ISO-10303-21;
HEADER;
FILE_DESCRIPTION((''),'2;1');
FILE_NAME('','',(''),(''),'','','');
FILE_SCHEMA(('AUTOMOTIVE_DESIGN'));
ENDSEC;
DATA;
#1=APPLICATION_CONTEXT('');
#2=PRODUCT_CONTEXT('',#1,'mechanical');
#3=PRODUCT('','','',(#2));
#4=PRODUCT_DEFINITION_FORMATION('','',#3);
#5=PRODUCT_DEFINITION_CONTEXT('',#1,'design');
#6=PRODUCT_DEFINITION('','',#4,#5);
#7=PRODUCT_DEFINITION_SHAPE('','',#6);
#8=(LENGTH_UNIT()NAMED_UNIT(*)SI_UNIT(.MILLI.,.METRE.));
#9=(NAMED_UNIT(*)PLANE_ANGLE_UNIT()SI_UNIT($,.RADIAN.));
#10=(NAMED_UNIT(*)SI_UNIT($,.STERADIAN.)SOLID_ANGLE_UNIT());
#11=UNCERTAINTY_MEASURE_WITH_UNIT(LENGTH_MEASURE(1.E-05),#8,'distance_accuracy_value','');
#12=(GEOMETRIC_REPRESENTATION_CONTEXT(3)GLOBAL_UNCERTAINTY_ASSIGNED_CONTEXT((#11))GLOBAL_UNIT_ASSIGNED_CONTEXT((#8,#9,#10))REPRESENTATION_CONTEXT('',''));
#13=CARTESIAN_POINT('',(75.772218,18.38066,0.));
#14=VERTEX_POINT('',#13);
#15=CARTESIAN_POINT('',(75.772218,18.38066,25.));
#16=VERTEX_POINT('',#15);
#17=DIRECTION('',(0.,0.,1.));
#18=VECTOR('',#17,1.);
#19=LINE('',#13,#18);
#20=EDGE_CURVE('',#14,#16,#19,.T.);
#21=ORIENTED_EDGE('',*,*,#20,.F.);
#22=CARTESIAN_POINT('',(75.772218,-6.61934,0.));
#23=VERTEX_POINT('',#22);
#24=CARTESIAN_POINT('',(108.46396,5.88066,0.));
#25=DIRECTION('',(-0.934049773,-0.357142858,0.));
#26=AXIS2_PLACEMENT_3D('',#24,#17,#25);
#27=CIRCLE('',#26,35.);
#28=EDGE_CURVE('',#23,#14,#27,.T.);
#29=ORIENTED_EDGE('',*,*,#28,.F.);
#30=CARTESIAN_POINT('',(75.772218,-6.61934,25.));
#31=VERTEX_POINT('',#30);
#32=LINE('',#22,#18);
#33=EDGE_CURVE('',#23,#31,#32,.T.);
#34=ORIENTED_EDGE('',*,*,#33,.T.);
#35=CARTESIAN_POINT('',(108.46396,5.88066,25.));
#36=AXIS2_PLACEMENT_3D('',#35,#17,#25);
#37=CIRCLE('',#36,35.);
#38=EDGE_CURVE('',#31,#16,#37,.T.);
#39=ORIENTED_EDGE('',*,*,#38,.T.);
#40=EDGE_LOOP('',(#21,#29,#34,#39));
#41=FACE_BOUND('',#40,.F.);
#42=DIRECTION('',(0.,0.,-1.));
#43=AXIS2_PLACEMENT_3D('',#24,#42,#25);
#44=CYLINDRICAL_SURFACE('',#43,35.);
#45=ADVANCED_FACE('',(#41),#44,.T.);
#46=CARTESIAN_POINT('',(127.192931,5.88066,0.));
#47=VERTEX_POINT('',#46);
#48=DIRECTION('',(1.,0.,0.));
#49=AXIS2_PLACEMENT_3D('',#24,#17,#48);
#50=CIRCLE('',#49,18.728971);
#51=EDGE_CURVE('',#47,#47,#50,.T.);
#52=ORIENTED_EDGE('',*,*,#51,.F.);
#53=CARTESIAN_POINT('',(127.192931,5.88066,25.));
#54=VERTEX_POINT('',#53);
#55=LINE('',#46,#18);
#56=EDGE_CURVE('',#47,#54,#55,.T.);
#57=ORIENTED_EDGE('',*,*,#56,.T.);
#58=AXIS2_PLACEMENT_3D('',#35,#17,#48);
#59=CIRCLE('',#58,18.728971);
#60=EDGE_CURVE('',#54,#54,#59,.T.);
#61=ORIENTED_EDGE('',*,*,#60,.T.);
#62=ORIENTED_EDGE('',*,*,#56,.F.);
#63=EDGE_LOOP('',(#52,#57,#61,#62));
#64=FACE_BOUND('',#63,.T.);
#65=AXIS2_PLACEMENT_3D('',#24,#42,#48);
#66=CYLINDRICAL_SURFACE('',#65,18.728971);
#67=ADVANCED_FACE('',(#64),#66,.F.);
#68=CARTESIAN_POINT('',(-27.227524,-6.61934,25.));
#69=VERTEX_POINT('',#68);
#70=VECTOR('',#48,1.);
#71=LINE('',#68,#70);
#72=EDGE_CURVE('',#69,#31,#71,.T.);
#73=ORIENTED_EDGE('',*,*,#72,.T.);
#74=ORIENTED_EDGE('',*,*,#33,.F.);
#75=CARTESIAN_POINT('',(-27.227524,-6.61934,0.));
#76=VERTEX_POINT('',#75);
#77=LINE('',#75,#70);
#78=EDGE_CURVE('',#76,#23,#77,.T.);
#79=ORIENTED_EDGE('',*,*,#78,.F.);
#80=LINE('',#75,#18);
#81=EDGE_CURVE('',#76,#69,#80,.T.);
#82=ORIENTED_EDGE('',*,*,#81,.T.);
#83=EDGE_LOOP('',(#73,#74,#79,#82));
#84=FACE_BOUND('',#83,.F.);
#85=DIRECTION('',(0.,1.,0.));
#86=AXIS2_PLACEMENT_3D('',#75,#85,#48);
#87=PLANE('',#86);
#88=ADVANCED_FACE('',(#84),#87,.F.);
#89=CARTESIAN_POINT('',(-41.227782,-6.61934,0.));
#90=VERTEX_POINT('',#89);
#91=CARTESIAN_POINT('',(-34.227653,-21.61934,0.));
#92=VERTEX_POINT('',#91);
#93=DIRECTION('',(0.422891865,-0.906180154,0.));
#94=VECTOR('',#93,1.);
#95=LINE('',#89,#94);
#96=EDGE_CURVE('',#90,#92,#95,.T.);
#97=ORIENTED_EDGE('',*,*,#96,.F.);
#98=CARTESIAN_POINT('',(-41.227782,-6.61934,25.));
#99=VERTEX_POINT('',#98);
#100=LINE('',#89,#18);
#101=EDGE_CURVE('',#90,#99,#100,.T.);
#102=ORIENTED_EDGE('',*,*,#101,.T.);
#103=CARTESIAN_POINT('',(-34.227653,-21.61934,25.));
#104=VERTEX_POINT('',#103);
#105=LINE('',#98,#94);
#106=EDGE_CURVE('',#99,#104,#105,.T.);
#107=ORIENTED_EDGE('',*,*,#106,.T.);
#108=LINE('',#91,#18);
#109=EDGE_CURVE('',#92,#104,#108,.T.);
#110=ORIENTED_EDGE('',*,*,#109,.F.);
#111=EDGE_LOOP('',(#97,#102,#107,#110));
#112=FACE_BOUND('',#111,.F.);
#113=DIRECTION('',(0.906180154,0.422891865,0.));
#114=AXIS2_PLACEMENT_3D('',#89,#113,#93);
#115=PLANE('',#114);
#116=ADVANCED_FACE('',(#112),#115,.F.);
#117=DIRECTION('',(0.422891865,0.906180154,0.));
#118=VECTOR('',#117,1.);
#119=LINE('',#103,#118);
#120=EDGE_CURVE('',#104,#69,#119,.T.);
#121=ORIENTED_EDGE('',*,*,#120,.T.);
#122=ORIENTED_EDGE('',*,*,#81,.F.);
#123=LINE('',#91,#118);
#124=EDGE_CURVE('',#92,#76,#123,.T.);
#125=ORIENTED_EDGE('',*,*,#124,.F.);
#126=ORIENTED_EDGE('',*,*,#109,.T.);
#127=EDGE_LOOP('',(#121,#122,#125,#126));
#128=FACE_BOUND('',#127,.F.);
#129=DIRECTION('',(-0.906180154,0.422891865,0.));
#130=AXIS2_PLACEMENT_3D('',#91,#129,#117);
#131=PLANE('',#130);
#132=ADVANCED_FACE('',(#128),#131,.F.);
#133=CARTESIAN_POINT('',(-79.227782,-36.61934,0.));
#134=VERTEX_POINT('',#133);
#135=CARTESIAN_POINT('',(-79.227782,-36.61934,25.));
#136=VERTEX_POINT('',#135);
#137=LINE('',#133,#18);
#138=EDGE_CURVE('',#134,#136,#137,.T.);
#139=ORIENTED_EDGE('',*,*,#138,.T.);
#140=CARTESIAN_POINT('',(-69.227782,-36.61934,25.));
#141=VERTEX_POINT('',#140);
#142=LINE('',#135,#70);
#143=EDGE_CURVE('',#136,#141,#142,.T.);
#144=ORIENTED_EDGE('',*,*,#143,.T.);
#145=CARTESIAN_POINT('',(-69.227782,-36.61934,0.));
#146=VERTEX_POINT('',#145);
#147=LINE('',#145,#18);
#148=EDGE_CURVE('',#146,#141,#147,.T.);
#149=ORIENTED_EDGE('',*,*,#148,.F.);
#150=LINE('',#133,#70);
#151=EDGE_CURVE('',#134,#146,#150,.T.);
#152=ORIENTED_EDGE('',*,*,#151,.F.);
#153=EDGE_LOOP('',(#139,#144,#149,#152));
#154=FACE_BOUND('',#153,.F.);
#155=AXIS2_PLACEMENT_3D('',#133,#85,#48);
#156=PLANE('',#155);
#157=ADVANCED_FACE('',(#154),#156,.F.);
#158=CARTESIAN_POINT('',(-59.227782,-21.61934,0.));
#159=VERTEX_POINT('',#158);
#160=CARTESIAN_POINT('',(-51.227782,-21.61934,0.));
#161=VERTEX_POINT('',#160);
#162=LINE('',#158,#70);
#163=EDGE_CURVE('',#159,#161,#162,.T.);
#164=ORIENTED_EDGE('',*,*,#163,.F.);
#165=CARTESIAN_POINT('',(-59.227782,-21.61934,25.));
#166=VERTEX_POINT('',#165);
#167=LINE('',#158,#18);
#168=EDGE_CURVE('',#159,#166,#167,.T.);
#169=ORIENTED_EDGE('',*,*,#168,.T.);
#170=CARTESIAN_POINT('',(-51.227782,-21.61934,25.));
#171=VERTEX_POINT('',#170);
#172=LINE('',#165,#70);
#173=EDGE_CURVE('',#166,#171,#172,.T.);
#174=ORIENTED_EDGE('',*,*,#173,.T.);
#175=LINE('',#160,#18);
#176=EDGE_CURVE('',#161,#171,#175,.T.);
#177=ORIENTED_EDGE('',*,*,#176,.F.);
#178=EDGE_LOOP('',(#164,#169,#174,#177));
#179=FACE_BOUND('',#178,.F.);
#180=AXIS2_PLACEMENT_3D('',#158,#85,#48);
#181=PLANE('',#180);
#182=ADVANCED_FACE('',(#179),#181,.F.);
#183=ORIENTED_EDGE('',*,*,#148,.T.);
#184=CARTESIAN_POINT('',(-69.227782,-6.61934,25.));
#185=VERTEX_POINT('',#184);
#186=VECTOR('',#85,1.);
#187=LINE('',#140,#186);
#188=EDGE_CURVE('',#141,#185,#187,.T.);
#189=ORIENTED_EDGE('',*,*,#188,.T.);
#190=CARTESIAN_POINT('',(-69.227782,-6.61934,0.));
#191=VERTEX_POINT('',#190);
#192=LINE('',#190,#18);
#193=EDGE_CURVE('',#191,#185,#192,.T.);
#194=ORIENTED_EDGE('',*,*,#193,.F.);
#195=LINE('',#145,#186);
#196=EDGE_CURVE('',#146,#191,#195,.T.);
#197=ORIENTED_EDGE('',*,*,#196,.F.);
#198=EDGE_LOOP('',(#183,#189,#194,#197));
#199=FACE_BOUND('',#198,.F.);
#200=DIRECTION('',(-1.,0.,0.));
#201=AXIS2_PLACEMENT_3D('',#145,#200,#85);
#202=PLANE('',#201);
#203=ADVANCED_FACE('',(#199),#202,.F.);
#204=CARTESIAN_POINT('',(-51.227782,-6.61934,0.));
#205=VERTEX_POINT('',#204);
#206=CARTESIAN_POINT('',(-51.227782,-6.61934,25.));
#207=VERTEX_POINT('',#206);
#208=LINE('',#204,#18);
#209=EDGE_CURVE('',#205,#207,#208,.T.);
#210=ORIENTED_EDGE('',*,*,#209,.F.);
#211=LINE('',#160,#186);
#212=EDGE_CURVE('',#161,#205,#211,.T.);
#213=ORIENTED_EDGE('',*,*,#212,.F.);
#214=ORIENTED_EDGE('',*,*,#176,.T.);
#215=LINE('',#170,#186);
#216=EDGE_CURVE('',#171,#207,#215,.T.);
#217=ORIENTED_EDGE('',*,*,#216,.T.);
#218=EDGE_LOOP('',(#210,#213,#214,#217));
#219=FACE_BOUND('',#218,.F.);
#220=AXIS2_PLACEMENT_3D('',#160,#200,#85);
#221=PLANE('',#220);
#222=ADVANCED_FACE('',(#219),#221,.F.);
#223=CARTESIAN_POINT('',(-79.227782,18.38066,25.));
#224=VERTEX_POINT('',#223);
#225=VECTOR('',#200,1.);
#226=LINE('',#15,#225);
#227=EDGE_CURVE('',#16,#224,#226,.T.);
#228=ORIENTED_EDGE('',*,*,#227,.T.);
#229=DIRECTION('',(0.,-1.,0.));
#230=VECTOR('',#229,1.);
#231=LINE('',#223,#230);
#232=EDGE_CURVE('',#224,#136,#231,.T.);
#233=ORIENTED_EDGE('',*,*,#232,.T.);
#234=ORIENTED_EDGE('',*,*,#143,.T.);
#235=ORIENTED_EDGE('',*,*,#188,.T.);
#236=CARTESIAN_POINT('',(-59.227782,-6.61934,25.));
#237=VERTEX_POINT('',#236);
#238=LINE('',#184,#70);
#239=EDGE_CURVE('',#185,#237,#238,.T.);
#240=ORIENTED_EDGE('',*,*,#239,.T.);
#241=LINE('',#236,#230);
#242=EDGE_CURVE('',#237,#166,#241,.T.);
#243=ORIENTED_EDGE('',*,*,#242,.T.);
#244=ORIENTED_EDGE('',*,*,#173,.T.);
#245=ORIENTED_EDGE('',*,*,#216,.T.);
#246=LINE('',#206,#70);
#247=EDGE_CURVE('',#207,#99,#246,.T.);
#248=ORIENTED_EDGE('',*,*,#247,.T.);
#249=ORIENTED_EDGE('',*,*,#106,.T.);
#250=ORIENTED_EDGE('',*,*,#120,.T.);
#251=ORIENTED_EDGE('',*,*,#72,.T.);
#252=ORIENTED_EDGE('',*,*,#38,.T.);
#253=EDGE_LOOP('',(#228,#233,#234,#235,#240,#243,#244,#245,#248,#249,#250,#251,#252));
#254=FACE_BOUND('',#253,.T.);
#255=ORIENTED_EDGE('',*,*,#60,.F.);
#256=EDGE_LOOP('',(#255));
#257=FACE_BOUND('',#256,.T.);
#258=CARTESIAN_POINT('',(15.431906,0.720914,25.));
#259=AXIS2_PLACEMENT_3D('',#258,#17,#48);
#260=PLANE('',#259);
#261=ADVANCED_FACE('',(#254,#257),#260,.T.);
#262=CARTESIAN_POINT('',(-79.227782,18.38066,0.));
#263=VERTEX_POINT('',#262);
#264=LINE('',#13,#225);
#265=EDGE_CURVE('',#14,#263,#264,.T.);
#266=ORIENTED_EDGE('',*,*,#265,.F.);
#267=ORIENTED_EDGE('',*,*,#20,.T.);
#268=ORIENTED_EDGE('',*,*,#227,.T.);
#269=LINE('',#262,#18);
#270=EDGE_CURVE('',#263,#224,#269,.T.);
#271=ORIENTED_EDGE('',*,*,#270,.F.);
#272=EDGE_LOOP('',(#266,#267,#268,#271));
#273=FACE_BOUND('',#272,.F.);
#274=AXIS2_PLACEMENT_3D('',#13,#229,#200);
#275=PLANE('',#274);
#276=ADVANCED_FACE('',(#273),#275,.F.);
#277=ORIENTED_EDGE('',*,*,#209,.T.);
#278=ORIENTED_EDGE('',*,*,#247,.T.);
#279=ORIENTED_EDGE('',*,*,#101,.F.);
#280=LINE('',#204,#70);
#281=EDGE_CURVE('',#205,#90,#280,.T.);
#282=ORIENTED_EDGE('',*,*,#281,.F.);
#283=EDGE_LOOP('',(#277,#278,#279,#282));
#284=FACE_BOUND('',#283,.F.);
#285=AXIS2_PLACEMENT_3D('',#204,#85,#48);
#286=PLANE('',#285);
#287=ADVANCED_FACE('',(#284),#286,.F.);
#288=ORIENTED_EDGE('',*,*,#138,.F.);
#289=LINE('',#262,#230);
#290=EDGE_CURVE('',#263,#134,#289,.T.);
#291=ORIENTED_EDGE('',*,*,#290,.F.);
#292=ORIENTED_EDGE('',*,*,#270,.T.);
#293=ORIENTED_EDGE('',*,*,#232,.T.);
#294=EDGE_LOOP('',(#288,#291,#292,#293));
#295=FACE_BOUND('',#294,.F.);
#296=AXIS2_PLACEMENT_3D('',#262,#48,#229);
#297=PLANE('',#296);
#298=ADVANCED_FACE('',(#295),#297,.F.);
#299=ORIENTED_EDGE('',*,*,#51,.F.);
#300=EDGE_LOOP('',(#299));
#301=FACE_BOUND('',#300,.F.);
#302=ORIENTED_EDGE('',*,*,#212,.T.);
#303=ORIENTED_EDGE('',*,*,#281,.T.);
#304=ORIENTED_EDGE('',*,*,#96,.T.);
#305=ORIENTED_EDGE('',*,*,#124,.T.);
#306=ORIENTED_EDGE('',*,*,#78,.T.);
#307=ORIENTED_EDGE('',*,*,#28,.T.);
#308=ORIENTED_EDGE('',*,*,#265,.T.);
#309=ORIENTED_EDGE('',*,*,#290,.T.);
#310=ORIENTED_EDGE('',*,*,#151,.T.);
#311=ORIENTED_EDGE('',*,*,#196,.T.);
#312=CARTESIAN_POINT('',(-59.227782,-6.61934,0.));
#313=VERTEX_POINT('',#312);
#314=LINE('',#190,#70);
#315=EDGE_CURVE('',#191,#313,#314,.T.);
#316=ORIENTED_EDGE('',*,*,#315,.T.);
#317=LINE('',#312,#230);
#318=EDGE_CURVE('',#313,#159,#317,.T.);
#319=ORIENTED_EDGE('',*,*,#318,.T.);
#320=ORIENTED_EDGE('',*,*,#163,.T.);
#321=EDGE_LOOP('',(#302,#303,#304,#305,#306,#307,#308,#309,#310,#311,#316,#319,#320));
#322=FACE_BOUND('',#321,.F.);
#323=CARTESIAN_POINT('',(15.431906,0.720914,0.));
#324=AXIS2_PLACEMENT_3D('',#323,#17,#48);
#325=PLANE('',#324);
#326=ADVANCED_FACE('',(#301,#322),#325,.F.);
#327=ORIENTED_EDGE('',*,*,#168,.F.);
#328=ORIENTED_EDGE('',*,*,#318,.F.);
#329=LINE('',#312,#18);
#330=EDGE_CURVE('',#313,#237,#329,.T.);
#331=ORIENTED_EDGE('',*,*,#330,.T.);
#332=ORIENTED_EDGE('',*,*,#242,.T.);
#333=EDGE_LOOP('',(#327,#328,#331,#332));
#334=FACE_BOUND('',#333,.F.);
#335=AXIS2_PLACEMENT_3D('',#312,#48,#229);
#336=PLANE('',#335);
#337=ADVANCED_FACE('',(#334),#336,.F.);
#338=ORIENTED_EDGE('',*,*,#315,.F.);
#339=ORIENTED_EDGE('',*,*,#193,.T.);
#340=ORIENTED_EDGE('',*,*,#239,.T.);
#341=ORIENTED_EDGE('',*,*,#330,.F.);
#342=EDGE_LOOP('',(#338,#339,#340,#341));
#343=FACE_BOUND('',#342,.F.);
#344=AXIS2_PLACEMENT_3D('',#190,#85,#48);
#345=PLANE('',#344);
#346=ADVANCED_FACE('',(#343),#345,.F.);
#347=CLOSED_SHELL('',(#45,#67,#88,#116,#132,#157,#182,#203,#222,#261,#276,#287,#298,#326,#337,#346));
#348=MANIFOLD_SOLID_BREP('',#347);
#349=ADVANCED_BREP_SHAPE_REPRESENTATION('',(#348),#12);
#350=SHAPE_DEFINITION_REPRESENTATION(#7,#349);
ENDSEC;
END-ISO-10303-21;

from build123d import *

# Parameters (mm, degrees)
F0_R     = 18.728971
F1_DEPTH = 25


with BuildPart() as f1:
    # F0 (on Top) → F1 (new body)
    with BuildSketch(Plane.XY):
        with BuildLine():
            Line((75.772218, 18.38066), (-79.227782, 18.38066))
            Line((-79.227782, 18.38066), (-79.227782, -6.61934))
            Line((-79.227782, -6.61934), (-79.227782, -36.61934))
            Line((-79.227782, -36.61934), (-69.227782, -36.61934))
            Line((-69.227782, -36.61934), (-69.227782, -6.61934))
            Line((-69.227782, -6.61934), (-59.227782, -6.61934))
            Line((-59.227782, -6.61934), (-59.227782, -21.61934))
            Line((-59.227782, -21.61934), (-51.227782, -21.61934))
            Line((-51.227782, -21.61934), (-51.227782, -6.61934))
            Line((-51.227782, -6.61934), (-41.227782, -6.61934))
            Line((-41.227782, -6.61934), (-34.227653, -21.61934))
            Line((-34.227653, -21.61934), (-27.227524, -6.61934))
            Line((-27.227524, -6.61934), (75.772218, -6.61934))
            ThreePointArc((75.772218, -6.61934), (143.46396, 5.88066), (75.772218, 18.38066))
        make_face()
        with Locations((108.46396, 5.88066)):
            Circle(F0_R, mode=Mode.SUBTRACT)
    extrude(amount=F1_DEPTH)


solid = f1.part
